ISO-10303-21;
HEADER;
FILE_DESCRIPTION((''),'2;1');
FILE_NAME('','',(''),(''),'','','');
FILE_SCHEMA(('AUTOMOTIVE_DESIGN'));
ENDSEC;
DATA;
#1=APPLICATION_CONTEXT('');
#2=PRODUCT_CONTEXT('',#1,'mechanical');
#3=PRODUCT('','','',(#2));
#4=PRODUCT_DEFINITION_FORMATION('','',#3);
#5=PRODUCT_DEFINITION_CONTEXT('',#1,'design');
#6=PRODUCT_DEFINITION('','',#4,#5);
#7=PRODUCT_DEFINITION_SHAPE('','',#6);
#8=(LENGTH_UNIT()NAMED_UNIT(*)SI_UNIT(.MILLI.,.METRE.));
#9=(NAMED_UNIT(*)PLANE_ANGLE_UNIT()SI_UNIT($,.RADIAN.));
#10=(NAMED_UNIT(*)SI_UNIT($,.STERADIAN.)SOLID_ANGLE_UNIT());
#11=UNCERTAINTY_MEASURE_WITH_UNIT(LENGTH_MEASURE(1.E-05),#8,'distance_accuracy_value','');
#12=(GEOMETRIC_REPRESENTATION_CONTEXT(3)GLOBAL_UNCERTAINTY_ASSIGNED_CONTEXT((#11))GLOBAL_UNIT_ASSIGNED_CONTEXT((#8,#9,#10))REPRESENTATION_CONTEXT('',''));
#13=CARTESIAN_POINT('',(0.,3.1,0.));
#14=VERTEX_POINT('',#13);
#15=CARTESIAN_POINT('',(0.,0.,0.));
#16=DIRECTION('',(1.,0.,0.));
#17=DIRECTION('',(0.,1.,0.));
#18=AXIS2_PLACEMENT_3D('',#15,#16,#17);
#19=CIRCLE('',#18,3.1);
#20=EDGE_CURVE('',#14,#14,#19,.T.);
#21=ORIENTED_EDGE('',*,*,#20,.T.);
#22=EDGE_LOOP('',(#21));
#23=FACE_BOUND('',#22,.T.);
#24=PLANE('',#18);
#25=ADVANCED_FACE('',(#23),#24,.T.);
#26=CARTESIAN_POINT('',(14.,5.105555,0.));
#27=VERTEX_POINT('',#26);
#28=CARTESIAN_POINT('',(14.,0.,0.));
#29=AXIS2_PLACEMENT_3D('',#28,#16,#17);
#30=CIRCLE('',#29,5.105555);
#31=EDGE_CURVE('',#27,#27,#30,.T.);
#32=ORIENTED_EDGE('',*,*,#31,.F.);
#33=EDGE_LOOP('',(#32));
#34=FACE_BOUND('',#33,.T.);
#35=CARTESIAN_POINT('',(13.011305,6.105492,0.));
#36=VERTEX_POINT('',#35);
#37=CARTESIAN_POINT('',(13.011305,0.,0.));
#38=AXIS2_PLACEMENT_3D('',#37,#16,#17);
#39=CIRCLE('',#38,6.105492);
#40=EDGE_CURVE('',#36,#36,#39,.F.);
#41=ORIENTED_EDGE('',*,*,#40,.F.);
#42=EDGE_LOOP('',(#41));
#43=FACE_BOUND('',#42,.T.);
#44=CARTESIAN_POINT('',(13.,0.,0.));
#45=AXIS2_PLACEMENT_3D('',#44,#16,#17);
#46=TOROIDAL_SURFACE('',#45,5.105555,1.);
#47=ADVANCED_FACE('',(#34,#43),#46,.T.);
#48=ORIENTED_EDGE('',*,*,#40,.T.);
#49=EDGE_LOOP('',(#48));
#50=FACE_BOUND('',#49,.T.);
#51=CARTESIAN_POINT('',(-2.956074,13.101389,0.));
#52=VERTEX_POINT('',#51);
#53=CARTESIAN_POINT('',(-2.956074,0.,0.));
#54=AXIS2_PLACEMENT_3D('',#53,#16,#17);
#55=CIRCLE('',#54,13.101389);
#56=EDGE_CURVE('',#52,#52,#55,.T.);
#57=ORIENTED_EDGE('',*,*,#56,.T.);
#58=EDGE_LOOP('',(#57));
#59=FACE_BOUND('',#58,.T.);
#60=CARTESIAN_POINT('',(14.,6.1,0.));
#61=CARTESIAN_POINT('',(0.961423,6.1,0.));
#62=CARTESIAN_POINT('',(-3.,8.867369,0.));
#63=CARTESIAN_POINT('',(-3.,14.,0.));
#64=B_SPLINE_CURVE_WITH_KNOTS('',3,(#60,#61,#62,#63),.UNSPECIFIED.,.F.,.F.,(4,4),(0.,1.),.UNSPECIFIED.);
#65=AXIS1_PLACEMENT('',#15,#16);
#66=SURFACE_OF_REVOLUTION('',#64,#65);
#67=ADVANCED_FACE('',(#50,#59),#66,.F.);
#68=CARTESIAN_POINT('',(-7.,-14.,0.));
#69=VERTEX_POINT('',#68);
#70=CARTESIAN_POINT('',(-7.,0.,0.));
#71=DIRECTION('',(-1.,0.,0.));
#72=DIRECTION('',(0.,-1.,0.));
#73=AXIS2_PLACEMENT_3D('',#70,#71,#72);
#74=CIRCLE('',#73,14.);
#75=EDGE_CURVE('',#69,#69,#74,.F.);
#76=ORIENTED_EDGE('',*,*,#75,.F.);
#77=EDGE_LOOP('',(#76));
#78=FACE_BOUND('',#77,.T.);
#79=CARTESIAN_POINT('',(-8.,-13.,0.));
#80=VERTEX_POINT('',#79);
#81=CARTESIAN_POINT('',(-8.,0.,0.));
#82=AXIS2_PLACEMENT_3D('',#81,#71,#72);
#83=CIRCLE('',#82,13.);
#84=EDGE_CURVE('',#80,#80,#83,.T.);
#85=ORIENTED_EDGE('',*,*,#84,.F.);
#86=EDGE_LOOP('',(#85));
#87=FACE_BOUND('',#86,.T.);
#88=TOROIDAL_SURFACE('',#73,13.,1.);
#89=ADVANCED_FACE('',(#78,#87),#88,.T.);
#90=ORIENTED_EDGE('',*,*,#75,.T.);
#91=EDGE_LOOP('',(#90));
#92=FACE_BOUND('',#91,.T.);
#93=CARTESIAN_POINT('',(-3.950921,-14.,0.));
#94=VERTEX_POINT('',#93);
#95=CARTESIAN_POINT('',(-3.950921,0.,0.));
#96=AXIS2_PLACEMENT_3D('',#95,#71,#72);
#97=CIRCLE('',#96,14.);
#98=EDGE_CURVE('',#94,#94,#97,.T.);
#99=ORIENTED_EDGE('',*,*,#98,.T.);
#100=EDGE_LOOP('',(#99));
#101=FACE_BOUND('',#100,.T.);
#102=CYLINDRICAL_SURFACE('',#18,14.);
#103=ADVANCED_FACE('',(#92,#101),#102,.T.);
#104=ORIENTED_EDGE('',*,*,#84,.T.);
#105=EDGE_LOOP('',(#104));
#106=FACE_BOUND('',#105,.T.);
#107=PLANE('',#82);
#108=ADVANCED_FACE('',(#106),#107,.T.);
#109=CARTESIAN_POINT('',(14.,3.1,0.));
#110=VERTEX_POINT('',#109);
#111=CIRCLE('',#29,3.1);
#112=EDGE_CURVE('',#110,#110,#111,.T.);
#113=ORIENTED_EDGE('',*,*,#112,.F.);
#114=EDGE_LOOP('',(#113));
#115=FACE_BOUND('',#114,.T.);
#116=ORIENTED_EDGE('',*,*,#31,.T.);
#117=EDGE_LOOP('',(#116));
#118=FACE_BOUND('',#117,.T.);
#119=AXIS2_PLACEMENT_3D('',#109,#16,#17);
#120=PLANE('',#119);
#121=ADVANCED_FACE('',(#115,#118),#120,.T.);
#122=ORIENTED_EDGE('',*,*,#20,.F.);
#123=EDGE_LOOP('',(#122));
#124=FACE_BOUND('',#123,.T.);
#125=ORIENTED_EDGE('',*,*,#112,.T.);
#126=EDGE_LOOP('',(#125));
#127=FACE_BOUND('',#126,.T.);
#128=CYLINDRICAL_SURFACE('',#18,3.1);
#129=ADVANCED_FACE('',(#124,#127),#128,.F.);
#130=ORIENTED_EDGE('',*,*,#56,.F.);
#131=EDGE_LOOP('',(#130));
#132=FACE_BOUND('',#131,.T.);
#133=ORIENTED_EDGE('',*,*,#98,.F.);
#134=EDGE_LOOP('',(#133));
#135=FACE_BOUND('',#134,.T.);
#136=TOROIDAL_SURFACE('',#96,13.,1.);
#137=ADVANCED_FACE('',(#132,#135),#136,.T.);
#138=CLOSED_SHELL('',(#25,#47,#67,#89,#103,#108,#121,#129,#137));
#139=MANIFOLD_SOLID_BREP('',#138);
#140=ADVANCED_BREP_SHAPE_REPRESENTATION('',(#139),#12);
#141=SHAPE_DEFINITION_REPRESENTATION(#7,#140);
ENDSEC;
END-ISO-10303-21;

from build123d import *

# Parameters (mm, degrees)
FILLET1_R = 1


with BuildPart() as part:
    # Sketch1 → Revolve1 (revolve)
    with BuildSketch(Plane.XY):
        with BuildLine():
            Line((0, 0), (0, 3.1))
            Line((0, 3.1), (14, 3.1))
            Line((14, 3.1), (14, 6.1))
            add(Edge.make_bspline(
                [(-3, 14), (-3, 8.867369014), (0.961422575, 6.1), (14, 6.1)],
                knots=[0, 0, 0, 0, 1, 1, 1, 1], degree=3))
            Line((-3, 14), (-8, 14))
            Line((-8, 14), (-8, 0))
            Line((-8, 0), (0, 0))
        make_face()
    revolve(axis=Axis((0, 0, 0), (-1, 0, 0)))

    # Fillet1
    fillet1_edges = [part.edges().sort_by_distance(p)[0] for p in [
        (14, -6.1, 0),
        (-3, -14, 0),
        (-8, -14, 0),
    ]]
    fillet(fillet1_edges, radius=FILLET1_R)


solid = part.part
